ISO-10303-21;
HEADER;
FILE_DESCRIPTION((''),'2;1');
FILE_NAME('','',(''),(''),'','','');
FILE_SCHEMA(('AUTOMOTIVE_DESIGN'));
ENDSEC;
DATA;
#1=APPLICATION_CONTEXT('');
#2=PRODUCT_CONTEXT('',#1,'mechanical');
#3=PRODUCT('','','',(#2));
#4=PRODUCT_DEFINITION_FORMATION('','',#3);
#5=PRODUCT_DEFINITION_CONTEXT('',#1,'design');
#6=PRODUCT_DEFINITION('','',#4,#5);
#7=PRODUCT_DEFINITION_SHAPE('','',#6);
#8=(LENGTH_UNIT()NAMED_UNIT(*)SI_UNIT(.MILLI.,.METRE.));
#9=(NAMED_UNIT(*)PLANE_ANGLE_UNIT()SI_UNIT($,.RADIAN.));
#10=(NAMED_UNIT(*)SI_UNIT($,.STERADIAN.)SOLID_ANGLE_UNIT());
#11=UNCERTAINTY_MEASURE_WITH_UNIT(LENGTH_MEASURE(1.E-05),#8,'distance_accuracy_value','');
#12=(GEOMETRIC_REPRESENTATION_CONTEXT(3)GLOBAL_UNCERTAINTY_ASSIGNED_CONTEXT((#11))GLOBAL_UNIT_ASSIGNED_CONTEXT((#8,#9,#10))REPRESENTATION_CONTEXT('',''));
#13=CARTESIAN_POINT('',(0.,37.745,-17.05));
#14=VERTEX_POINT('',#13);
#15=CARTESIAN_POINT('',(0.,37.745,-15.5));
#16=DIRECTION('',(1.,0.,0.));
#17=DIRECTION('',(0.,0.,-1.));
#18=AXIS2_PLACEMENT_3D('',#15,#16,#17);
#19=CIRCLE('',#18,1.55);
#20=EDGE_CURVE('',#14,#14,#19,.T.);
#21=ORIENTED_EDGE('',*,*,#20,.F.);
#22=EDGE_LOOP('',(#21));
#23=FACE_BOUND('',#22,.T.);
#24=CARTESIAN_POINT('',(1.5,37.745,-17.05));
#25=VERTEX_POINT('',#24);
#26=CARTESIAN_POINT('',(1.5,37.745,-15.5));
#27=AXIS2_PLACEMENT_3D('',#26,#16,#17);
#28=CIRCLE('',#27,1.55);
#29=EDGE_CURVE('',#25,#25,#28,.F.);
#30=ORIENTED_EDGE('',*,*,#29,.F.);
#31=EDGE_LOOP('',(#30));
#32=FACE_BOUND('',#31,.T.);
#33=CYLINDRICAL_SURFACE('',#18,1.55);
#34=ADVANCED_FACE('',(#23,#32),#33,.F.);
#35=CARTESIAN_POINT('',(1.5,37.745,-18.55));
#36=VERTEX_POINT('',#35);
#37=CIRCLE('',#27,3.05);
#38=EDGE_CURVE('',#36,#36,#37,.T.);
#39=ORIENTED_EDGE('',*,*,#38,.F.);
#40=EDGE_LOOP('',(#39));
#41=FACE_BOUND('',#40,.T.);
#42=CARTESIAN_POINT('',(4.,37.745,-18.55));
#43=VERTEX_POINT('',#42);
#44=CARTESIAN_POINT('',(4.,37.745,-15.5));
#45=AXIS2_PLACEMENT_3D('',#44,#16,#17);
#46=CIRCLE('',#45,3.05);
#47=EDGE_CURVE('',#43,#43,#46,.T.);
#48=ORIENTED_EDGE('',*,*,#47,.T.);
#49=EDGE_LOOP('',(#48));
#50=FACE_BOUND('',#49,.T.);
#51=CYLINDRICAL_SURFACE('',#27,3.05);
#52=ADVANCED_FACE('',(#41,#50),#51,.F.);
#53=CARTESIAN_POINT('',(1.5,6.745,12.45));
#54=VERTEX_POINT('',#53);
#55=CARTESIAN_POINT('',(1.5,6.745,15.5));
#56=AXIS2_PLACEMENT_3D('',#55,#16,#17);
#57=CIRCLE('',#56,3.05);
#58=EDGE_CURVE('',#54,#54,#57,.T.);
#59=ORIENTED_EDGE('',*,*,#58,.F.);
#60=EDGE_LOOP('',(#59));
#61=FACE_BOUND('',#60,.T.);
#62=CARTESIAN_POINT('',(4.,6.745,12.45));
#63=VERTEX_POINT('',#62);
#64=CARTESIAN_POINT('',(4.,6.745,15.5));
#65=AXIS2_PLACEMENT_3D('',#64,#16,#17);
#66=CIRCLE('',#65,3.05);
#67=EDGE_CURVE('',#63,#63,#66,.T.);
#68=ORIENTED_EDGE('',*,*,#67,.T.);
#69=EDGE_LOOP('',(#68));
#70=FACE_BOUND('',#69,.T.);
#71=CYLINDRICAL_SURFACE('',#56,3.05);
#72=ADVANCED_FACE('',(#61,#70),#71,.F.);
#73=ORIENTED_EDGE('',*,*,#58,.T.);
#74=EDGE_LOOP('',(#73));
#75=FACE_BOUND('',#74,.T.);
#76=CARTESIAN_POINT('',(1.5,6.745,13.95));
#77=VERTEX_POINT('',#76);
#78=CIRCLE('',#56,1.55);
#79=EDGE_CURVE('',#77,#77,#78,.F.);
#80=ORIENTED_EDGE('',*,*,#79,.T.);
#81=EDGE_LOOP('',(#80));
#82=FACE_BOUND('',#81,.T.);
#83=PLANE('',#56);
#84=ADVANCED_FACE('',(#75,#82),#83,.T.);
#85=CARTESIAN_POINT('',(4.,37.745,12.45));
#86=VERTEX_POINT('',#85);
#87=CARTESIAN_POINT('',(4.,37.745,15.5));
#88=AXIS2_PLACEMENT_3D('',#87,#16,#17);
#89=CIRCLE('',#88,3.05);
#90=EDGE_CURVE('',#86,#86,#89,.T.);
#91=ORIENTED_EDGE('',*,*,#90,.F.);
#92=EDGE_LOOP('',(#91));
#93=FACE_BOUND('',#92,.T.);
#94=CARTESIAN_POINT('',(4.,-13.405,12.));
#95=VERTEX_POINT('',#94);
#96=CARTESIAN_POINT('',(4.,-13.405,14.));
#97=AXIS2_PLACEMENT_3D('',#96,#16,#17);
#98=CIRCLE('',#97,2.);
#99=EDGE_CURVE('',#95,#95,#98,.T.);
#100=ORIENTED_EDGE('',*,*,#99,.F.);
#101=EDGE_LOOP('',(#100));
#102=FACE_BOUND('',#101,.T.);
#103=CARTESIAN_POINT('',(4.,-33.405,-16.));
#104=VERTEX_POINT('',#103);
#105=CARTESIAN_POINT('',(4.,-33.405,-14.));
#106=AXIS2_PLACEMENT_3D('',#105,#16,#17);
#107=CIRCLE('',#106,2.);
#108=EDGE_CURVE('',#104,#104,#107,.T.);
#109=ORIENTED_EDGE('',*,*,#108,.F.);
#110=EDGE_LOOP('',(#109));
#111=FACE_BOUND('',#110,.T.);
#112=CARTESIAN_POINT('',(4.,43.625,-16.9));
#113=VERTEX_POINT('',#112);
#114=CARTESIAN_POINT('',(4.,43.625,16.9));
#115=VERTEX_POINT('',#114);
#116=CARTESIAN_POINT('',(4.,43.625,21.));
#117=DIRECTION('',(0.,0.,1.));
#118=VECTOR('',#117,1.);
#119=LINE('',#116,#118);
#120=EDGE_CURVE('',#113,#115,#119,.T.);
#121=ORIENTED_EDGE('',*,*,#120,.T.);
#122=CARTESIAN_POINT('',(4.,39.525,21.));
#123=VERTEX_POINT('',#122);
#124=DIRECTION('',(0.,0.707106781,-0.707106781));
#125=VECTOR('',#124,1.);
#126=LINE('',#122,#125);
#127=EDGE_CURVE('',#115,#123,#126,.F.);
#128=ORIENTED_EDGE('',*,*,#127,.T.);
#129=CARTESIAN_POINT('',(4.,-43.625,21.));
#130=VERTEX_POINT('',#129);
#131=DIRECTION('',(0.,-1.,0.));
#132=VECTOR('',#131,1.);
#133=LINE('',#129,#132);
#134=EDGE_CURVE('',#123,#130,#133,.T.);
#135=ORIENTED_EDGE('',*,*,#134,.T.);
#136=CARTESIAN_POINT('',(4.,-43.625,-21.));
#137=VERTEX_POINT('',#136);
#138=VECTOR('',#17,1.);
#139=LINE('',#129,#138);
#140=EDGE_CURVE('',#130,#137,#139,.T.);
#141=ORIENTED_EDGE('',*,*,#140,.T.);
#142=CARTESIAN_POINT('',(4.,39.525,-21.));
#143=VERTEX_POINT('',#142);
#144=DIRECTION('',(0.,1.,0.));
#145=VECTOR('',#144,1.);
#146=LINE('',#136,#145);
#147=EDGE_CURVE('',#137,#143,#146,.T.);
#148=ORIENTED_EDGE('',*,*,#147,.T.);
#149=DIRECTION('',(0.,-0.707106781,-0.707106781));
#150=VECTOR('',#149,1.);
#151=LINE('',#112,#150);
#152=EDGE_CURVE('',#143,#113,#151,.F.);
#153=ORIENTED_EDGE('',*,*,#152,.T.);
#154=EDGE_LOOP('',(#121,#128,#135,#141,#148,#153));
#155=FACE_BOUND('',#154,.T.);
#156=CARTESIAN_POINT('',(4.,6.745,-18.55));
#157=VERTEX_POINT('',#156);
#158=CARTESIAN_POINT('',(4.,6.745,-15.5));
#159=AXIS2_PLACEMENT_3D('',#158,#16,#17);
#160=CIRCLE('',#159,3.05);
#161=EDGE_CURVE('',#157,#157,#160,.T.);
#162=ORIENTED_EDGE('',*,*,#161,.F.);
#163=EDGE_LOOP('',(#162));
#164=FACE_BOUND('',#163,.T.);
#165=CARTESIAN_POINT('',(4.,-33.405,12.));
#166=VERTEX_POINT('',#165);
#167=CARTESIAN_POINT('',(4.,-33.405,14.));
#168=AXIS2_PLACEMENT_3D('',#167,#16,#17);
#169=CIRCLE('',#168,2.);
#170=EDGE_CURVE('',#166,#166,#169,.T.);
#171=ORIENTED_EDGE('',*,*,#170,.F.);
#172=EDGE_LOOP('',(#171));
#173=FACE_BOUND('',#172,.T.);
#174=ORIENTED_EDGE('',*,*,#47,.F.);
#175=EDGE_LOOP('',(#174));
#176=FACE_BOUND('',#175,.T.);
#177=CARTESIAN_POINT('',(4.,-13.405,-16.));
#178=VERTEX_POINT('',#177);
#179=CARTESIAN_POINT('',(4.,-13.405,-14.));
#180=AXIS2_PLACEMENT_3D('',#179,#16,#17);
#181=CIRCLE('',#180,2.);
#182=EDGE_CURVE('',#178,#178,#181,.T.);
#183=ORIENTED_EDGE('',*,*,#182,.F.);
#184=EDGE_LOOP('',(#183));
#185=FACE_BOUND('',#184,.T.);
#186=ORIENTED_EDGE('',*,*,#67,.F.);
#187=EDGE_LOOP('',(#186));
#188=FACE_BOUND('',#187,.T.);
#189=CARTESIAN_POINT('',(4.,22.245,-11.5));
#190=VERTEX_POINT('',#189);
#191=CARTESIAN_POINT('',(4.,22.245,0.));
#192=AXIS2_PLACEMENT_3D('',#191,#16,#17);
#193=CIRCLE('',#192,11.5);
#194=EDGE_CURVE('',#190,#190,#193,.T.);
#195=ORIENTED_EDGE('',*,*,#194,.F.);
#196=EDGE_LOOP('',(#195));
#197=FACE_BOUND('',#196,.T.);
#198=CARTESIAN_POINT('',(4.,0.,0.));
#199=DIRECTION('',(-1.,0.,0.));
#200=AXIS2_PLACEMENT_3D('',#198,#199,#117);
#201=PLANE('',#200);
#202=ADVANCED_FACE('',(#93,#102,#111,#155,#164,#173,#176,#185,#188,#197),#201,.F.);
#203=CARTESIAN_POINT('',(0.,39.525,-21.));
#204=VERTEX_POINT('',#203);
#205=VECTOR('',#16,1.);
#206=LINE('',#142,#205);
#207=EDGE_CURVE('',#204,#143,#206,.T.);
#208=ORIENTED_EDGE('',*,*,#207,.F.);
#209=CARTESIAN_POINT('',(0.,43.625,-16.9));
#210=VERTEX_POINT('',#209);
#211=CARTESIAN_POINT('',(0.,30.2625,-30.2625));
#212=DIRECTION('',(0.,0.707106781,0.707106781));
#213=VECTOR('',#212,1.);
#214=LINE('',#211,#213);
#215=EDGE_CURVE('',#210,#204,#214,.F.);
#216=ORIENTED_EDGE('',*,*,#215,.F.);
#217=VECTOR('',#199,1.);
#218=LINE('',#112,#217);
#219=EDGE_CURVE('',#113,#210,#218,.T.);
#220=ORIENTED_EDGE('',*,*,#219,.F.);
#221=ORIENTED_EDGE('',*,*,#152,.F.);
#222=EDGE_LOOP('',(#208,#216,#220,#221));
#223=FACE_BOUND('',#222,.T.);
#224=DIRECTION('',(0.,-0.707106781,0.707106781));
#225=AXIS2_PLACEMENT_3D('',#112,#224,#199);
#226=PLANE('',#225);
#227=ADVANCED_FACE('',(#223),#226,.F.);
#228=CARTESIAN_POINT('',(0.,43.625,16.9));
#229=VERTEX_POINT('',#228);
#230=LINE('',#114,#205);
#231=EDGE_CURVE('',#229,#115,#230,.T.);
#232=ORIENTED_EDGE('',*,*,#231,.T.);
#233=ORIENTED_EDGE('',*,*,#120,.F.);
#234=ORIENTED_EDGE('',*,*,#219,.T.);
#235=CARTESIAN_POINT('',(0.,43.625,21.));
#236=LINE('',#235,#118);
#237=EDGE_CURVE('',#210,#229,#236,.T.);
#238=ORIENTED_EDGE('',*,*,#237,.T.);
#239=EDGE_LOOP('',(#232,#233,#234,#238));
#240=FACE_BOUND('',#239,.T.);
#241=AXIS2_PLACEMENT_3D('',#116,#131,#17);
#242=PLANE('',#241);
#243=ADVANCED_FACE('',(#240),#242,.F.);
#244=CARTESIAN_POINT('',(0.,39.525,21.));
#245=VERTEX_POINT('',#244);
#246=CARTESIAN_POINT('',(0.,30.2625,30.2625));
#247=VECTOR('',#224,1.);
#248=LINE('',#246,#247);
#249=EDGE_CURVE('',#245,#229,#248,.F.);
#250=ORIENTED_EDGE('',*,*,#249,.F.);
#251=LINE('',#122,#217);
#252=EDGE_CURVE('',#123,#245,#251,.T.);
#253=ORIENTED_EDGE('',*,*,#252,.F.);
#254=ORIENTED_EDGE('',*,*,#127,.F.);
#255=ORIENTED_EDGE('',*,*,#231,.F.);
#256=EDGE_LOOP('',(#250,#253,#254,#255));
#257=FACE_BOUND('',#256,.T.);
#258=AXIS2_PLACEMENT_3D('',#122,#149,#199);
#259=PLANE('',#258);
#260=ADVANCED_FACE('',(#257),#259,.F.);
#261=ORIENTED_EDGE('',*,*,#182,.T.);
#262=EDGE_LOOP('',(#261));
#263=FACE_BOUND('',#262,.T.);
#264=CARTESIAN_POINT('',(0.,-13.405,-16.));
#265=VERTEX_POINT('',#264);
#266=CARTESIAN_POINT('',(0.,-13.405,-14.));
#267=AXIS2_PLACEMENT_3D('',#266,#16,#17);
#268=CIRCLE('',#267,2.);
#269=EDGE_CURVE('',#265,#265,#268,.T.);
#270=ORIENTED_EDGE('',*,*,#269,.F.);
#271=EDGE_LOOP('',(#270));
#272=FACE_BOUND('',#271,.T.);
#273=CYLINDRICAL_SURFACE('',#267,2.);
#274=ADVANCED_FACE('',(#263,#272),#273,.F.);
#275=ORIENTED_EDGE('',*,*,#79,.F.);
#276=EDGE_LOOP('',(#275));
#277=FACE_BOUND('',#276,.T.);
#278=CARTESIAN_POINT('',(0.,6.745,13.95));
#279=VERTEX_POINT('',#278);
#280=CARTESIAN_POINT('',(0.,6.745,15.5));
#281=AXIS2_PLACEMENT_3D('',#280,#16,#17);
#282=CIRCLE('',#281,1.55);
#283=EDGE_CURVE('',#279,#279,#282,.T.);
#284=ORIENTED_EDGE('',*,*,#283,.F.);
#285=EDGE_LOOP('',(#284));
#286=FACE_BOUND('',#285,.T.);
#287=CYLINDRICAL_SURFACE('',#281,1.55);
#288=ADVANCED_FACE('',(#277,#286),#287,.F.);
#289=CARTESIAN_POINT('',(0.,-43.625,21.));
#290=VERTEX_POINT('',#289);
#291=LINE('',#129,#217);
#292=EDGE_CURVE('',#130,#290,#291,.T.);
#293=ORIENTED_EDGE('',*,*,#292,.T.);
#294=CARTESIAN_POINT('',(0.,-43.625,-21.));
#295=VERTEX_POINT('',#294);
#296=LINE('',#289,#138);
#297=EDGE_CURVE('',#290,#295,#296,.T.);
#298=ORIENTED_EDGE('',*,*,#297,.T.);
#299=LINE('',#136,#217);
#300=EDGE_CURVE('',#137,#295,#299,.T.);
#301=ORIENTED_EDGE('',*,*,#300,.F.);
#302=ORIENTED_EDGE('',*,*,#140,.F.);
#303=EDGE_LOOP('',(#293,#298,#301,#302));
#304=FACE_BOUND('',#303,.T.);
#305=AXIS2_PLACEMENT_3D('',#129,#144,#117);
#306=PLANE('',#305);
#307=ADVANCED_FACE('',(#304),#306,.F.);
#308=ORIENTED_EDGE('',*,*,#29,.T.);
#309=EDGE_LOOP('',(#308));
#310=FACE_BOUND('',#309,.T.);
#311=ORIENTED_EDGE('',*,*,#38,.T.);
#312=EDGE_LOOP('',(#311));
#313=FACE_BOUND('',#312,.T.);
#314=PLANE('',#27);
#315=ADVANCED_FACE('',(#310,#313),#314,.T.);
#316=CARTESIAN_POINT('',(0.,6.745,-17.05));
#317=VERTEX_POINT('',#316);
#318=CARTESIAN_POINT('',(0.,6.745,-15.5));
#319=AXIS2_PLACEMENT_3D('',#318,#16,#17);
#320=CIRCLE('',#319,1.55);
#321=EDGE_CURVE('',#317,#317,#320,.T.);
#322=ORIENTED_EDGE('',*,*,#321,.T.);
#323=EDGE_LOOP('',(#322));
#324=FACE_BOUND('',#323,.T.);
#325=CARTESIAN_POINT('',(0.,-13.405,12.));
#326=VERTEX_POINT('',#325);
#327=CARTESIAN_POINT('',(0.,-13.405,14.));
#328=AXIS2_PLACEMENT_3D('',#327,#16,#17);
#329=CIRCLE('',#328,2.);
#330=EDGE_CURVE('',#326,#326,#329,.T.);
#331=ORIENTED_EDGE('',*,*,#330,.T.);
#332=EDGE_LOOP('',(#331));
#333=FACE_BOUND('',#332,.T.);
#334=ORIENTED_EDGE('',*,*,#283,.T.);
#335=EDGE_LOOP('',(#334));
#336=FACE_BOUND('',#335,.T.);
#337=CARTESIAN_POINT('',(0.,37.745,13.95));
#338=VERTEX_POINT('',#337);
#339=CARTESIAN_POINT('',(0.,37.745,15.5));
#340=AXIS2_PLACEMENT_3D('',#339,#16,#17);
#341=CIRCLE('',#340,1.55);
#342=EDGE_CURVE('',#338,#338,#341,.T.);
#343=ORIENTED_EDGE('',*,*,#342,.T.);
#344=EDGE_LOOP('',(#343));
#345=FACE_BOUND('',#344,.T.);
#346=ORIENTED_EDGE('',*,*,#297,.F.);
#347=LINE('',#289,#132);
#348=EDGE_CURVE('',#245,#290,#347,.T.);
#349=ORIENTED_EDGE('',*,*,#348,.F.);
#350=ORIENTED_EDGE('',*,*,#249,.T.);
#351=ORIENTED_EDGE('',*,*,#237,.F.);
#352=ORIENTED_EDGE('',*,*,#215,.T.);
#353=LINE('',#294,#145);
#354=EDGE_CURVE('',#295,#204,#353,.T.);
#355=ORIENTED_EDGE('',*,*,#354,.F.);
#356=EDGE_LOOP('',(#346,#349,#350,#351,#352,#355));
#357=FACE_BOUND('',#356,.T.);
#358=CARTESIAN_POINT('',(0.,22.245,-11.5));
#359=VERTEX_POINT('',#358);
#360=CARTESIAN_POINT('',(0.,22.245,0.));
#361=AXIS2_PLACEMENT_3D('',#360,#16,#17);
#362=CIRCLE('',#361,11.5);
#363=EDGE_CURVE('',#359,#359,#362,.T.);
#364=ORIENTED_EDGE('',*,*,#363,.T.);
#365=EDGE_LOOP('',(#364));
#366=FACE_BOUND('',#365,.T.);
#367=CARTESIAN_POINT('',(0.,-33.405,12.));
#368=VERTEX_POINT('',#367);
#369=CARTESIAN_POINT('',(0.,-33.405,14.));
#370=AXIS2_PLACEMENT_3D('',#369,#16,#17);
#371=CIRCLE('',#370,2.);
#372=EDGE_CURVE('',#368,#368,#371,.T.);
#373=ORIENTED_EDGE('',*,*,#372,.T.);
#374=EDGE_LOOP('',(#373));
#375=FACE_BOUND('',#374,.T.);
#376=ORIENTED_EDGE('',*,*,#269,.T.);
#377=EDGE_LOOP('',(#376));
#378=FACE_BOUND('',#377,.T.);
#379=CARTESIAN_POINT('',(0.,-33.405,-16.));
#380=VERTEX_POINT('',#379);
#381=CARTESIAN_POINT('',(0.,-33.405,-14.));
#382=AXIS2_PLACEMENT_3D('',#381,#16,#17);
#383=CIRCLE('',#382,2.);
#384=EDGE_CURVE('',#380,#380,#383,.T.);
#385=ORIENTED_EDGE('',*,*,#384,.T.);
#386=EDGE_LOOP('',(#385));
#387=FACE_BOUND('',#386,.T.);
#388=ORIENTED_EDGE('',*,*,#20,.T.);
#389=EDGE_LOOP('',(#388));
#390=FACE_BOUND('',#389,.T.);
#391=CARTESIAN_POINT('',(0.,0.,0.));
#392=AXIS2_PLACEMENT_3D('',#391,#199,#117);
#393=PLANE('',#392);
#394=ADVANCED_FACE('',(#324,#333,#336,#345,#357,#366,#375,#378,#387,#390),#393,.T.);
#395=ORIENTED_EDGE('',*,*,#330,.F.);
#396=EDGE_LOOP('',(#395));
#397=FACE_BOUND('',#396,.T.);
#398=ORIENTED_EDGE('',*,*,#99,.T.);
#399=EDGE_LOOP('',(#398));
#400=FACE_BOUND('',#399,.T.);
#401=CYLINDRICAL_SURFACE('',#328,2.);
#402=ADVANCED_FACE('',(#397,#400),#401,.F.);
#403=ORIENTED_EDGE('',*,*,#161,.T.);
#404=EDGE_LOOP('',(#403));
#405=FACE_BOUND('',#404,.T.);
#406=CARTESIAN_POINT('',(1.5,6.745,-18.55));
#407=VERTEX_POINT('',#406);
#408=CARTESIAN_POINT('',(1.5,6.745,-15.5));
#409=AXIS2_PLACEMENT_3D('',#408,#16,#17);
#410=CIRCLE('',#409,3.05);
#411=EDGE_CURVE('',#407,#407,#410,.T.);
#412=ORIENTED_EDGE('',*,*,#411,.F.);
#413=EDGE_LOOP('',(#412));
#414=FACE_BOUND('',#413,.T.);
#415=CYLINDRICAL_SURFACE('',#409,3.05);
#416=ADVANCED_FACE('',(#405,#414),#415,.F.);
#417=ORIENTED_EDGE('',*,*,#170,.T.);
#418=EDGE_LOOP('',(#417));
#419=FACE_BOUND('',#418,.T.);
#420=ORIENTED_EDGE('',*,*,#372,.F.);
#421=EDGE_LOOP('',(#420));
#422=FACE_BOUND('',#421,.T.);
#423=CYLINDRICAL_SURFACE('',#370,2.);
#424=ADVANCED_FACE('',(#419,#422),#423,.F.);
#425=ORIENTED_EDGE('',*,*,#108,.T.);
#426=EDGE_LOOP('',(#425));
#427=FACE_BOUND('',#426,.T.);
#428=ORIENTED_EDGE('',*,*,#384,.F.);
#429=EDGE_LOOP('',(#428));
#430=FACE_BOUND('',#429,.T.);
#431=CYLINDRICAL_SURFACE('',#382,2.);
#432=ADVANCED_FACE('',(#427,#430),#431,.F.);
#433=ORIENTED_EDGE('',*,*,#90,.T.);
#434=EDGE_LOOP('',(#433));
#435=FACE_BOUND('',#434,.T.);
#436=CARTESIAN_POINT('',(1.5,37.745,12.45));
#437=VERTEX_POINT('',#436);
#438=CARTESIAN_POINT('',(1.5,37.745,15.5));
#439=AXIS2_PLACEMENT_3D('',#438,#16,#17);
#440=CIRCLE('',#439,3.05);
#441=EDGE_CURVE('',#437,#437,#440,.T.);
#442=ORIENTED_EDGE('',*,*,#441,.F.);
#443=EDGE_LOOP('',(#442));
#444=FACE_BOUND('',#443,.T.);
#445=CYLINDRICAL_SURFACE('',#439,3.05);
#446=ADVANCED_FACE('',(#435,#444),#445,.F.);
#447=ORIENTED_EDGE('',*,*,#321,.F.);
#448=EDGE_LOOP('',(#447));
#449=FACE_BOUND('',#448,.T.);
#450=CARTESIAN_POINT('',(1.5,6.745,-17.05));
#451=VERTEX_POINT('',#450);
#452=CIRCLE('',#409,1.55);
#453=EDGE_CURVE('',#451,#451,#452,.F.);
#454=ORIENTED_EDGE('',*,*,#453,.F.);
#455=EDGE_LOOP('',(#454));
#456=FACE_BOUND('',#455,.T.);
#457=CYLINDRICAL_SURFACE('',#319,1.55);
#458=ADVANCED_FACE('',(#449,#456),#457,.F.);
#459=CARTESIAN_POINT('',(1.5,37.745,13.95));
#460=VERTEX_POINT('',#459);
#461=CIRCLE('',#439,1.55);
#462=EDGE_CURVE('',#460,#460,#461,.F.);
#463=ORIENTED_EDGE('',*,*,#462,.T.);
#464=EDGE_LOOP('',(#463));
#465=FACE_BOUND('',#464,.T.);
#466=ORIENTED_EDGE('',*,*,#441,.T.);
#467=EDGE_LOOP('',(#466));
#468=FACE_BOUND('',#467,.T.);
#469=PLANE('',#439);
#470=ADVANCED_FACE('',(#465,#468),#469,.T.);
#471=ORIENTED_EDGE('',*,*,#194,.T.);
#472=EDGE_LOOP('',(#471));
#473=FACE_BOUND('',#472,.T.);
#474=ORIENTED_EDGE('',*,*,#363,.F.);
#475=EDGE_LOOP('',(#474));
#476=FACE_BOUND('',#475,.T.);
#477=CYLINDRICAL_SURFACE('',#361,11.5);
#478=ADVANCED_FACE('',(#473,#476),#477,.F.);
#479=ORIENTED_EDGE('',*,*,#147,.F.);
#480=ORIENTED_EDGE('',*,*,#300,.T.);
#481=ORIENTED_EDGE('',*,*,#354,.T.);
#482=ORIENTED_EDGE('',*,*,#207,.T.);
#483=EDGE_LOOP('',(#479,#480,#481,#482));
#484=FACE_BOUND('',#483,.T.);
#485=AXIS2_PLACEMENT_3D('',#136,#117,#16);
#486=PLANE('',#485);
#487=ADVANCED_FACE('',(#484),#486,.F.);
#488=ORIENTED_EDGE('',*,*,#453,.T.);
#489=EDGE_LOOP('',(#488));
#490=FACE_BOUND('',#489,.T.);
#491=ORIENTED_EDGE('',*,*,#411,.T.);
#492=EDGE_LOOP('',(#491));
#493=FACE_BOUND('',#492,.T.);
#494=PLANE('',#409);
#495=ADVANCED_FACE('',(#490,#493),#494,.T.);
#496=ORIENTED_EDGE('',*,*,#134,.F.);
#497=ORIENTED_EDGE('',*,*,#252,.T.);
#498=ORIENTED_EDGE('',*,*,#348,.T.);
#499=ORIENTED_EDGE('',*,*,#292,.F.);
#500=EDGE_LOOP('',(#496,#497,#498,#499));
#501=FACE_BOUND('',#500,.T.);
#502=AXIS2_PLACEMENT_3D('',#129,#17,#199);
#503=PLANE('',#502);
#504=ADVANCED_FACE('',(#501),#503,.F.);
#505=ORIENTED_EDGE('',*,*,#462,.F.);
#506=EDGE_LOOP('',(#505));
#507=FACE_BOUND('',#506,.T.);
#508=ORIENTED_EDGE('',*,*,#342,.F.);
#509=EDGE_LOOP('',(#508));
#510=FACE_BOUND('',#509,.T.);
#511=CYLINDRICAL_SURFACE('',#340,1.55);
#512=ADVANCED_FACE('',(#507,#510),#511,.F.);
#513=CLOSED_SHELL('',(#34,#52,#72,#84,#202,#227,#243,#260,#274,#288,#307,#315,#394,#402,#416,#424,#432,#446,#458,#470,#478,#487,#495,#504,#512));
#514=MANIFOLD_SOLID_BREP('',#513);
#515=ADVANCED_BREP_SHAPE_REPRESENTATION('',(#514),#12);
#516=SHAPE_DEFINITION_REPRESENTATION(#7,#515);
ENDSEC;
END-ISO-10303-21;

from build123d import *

# Parameters (mm, degrees)
CROQUIS1_W              = 42
CROQUIS1_H              = 87.25
SALIENTE_EXTRUIR1_DEPTH = 4
CROQUIS2_R              = 1.55
CROQUIS2_R_2            = 11.5
CORTAR_EXTRUIR1_DEPTH   = 5
CROQUIS3_R              = 2
CORTAR_EXTRUIR2_DEPTH   = 5
CHAFL_N1_SIZE           = 4.1
CROQUIS8_R              = 3.05
CORTAR_EXTRUIR3_DEPTH   = 2.5


with BuildPart() as part:
    # Croquis1 → Saliente-Extruir1 (new body)
    with BuildSketch(Plane(origin=(0, 0, 0), x_dir=(0, 0, -1), z_dir=(1, 0, 0))):
        Rectangle(CROQUIS1_W, CROQUIS1_H)
    extrude(amount=SALIENTE_EXTRUIR1_DEPTH)

    # Croquis2 → Cortar-Extruir1 (cut, through all)
    with BuildSketch(Plane(origin=(4, 0, 0), x_dir=(0, 0, -1), z_dir=(1, 0, 0))):
        with Locations((-15.5, 37.745)):
            Circle(CROQUIS2_R)
        with Locations((15.5, 37.745)):
            Circle(CROQUIS2_R)
        with Locations((15.5, 6.745)):
            Circle(CROQUIS2_R)
        with Locations((-15.5, 6.745)):
            Circle(CROQUIS2_R)
        with Locations((0, 22.245)):
            Circle(CROQUIS2_R_2)
    extrude(amount=-CORTAR_EXTRUIR1_DEPTH, mode=Mode.SUBTRACT)

    # Croquis3 → Cortar-Extruir2 (cut, through all)
    with BuildSketch(Plane(origin=(4, 0, 0), x_dir=(0, 0, -1), z_dir=(1, 0, 0))):
        with Locations((-14, -13.405)):
            Circle(CROQUIS3_R)
        with Locations((14, -13.405)):
            Circle(CROQUIS3_R)
        with Locations((-14, -33.405)):
            Circle(CROQUIS3_R)
        with Locations((14, -33.405)):
            Circle(CROQUIS3_R)
    extrude(amount=-CORTAR_EXTRUIR2_DEPTH, mode=Mode.SUBTRACT)

    # Chaflán1
    chafl_n1_edges = [part.edges().sort_by_distance(p)[0] for p in [
        (2, 43.625, 21),
        (2, 43.625, -21),
    ]]
    chamfer(chafl_n1_edges, length=CHAFL_N1_SIZE)

    # Croquis8 → Cortar-Extruir3 (cut)
    with BuildSketch(Plane(origin=(4, 0, 0), x_dir=(0, 0, -1), z_dir=(1, 0, 0))):
        with Locations((15.5, 37.745)):
            Circle(CROQUIS8_R)
        with Locations((-15.5, 37.745)):
            Circle(CROQUIS8_R)
        with Locations((-15.5, 6.745)):
            Circle(CROQUIS8_R)
        with Locations((15.5, 6.745)):
            Circle(CROQUIS8_R)
    extrude(amount=-CORTAR_EXTRUIR3_DEPTH, mode=Mode.SUBTRACT)


solid = part.part
